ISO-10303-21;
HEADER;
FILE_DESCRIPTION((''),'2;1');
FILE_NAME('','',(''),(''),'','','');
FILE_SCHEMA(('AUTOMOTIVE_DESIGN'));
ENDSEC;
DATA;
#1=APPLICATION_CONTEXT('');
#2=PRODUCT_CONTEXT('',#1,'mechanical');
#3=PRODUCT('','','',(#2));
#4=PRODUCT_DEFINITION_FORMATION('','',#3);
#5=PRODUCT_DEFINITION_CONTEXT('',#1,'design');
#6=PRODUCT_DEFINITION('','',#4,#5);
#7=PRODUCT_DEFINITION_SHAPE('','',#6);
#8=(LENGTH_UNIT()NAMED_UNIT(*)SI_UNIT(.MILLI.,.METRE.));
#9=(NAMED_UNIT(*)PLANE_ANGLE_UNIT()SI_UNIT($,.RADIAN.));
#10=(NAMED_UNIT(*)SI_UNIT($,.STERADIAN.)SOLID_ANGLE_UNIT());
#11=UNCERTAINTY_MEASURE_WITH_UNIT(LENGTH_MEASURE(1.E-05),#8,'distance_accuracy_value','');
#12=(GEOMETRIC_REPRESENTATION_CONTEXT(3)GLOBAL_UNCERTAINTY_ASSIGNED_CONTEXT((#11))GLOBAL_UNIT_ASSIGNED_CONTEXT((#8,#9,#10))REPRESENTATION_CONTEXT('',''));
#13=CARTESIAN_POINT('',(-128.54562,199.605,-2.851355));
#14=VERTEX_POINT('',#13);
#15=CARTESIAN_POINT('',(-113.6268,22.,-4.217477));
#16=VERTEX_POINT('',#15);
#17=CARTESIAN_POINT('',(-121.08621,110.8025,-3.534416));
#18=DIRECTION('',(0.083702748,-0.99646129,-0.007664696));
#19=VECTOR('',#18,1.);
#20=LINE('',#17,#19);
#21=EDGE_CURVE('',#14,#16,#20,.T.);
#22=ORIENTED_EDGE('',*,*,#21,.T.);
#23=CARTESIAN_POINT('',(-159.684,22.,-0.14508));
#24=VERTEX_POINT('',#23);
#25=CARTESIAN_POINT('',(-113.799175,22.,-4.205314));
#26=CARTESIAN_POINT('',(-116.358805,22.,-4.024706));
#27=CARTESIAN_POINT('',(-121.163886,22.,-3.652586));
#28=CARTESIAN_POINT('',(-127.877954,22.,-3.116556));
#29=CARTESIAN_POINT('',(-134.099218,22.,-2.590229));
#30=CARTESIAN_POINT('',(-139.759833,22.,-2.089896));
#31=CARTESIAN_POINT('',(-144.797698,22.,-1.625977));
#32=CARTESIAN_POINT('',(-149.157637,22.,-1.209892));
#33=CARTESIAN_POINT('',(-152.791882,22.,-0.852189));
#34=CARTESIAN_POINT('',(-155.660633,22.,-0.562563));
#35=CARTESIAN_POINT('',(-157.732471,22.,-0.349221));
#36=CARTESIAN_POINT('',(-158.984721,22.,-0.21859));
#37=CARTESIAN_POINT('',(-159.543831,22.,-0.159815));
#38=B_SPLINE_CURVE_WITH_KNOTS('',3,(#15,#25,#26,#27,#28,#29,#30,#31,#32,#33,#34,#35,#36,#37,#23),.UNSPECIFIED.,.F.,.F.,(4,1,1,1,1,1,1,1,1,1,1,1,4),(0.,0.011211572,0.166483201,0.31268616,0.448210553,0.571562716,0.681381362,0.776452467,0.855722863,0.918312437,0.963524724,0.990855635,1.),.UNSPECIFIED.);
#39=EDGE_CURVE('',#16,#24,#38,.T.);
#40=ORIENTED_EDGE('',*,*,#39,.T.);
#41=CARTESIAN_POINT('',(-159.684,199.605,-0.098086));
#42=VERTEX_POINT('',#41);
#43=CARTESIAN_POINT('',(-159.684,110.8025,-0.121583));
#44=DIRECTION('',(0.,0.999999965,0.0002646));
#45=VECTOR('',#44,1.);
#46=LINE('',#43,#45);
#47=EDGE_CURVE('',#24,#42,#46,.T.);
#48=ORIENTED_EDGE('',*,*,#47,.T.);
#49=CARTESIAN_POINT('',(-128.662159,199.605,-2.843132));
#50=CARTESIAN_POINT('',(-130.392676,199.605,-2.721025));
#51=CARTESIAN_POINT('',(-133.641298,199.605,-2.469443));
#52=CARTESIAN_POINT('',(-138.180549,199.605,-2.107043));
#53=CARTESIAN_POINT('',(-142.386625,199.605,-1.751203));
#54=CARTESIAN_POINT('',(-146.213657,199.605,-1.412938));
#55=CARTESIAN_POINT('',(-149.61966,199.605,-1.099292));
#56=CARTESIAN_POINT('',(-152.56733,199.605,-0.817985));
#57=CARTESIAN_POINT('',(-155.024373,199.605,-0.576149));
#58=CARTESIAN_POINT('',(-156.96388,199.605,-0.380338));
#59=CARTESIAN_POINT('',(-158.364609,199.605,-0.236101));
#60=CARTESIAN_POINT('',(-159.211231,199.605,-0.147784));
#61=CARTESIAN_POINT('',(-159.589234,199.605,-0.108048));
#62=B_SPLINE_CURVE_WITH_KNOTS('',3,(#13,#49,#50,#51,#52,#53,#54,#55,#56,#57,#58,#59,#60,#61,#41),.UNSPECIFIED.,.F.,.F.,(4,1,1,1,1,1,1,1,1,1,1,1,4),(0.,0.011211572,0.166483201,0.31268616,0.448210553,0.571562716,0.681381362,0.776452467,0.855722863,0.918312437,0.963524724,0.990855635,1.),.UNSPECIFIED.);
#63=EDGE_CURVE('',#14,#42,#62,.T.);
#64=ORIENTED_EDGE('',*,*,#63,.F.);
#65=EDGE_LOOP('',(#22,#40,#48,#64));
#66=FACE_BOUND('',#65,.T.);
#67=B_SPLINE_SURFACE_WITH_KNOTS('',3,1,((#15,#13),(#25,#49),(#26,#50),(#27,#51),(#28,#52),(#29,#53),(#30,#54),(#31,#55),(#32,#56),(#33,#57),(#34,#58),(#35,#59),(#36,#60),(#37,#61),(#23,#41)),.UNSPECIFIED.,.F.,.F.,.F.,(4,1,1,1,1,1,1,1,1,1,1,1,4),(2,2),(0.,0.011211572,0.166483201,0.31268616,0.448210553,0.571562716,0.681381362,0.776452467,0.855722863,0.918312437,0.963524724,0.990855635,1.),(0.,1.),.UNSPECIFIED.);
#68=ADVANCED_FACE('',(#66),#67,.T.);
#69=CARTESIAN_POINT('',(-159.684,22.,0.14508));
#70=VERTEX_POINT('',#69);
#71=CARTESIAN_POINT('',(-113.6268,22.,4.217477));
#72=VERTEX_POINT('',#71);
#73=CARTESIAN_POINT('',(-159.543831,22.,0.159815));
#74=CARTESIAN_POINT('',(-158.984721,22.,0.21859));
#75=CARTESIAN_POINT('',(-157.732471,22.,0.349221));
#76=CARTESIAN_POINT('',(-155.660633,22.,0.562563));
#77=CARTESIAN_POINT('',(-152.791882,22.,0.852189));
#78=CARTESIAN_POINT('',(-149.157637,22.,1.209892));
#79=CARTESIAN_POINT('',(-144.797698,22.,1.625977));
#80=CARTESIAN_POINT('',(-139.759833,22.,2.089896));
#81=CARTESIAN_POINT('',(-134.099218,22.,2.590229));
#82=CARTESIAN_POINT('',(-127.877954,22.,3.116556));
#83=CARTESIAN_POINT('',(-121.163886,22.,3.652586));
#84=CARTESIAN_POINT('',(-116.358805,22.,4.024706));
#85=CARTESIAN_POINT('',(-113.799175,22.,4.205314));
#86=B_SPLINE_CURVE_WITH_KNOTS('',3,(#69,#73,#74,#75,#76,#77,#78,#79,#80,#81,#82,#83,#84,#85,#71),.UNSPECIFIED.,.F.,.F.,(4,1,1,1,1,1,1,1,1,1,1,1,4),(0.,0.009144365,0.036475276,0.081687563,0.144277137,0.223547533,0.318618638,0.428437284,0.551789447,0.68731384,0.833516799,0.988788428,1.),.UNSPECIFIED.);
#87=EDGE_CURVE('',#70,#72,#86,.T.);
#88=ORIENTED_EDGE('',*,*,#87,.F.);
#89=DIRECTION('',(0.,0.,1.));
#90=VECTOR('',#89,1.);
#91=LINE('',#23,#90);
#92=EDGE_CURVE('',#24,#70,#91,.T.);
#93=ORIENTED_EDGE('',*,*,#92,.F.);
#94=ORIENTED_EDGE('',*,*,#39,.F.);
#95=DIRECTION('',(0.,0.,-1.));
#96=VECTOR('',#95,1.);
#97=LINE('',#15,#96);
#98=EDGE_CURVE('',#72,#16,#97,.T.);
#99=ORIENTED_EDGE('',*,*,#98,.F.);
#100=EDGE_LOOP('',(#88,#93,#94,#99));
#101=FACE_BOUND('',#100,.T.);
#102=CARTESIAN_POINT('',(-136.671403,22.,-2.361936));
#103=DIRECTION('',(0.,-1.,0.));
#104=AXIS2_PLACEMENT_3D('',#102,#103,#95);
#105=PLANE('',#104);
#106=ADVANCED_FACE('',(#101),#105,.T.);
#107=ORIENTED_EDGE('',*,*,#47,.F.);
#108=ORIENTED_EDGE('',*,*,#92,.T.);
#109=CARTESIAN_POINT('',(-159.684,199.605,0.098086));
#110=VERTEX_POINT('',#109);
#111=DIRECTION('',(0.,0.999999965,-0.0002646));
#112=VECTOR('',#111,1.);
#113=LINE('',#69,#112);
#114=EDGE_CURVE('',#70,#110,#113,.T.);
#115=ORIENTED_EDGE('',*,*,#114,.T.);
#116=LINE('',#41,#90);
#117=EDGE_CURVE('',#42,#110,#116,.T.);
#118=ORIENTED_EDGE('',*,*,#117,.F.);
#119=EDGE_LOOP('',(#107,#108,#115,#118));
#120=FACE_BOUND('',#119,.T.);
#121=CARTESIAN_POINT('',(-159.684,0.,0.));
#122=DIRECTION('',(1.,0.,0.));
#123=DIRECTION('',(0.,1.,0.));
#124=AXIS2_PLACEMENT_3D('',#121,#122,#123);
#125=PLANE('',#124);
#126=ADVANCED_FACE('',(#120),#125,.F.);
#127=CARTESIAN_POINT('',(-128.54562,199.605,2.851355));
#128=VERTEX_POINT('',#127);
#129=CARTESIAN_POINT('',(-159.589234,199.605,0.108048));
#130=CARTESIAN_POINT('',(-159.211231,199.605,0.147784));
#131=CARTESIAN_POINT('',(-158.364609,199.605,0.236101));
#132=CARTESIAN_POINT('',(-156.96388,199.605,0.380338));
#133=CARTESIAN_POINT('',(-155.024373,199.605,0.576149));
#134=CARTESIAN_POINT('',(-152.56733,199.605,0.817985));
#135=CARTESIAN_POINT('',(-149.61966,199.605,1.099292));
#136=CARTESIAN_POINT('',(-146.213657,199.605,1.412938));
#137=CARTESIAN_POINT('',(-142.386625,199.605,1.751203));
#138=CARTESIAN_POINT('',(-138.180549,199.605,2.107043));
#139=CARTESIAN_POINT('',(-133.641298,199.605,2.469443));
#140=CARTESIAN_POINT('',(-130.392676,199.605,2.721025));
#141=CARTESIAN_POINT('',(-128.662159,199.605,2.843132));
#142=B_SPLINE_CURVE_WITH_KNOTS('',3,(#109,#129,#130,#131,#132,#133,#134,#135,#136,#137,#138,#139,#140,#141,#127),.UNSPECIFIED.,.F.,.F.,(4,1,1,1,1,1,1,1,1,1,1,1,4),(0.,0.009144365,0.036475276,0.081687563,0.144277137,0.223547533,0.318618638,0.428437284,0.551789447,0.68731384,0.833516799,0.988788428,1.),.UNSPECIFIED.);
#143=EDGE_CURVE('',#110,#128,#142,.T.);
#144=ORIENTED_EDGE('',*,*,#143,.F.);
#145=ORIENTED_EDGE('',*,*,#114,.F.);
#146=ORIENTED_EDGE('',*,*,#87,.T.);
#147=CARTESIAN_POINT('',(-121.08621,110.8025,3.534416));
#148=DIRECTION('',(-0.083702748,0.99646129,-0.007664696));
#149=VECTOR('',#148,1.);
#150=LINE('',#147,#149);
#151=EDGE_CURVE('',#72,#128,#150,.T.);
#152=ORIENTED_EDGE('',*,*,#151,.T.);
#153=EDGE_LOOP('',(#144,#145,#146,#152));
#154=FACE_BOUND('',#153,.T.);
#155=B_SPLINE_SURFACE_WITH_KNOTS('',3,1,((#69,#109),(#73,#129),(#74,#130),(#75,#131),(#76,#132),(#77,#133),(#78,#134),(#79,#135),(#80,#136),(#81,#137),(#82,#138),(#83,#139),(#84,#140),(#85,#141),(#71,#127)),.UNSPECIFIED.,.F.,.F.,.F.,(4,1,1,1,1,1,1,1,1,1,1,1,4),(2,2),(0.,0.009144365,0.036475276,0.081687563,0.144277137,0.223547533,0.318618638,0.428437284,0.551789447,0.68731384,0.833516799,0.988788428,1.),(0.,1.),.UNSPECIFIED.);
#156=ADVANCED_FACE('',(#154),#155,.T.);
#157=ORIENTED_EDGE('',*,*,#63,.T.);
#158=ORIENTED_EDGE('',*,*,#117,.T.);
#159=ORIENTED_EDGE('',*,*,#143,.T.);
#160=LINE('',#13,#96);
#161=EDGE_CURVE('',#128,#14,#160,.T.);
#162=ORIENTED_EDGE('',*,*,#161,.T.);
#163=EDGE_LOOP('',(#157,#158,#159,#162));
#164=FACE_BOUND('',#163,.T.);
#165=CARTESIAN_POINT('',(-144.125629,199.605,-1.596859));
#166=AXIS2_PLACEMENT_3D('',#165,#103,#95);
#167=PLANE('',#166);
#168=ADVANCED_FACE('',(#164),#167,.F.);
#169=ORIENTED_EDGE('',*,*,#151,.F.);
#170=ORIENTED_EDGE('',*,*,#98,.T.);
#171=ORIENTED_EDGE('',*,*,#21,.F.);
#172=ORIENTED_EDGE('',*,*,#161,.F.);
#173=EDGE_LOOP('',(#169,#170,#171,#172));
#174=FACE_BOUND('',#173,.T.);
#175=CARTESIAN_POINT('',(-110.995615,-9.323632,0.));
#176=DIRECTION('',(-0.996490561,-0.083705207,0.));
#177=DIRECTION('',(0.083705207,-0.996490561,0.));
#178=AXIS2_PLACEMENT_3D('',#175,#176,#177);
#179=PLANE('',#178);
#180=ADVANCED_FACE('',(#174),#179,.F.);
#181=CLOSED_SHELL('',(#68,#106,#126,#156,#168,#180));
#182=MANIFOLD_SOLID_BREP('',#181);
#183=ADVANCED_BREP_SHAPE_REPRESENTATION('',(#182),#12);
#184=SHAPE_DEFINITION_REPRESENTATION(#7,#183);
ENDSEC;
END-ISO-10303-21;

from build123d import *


with BuildPart() as part:
    # Sketch1 → Loft1 section 0
    with BuildSketch(Plane(origin=(0, 22, 0), x_dir=(1, 0, 0), z_dir=(0, 1, 0))):
        with BuildLine():
            Line((-113.6268, 4.217477276), (-113.6268, -4.217477276))
            add(Edge.make_bspline(
                [(-113.6268, -4.217477276), (-113.799174645, -4.205314432), (-116.358805181, -4.024705588), (-121.16388644, -3.652586205), (-127.877953579, -3.116556037), (-134.099217648, -2.590228815), (-139.759832884, -2.089895748), (-144.797698384, -1.625977164), (-149.157636731, -1.209892463), (-152.791882277, -0.852189171), (-155.660633245, -0.562562839), (-157.732470926, -0.349220721), (-158.984720765, -0.218589518), (-159.543830889, -0.159814978), (-159.684, -0.14508018)],
                knots=[0, 0, 0, 0, 0.011211572, 0.166483201, 0.31268616, 0.448210553, 0.571562716, 0.681381362, 0.776452467, 0.855722863, 0.918312437, 0.963524724, 0.990855635, 1, 1, 1, 1], degree=3))
            Line((-159.684, -0.14508018), (-159.684, 0.14508018))
            add(Edge.make_bspline(
                [(-113.6268, 4.217477276), (-113.799174645, 4.205314432), (-116.358805181, 4.024705588), (-121.16388644, 3.652586205), (-127.877953579, 3.116556037), (-134.099217648, 2.590228815), (-139.759832884, 2.089895748), (-144.797698384, 1.625977164), (-149.157636731, 1.209892463), (-152.791882277, 0.852189171), (-155.660633245, 0.562562839), (-157.732470926, 0.349220721), (-158.984720765, 0.218589518), (-159.543830889, 0.159814978), (-159.684, 0.14508018)],
                knots=[0, 0, 0, 0, 0.011211572, 0.166483201, 0.31268616, 0.448210553, 0.571562716, 0.681381362, 0.776452467, 0.855722863, 0.918312437, 0.963524724, 0.990855635, 1, 1, 1, 1], degree=3))
        make_face()
    # Sketch2 → Loft1 section 1
    with BuildSketch(Plane(origin=(0, 199.605, 0), x_dir=(1, 0, 0), z_dir=(0, 1, 0))):
        with BuildLine():
            Line((-128.54562, 2.851354621), (-128.54562, -2.851354621))
            add(Edge.make_bspline(
                [(-128.54562, -2.851354621), (-128.662159156, -2.843131559), (-130.392675737, -2.721025421), (-133.641298019, -2.46944272), (-138.180548645, -2.107043115), (-142.386624669, -1.751203485), (-146.213656886, -1.412937998), (-149.619660081, -1.099291638), (-152.567329871, -0.817984838), (-155.024372826, -0.576148577), (-156.963879739, -0.380337829), (-158.364609028, -0.236101359), (-159.211230866, -0.147784135), (-159.589234382, -0.108047808), (-159.684, -0.098085897)],
                knots=[0, 0, 0, 0, 0.011211572, 0.166483201, 0.31268616, 0.448210553, 0.571562716, 0.681381362, 0.776452467, 0.855722863, 0.918312437, 0.963524724, 0.990855635, 1, 1, 1, 1], degree=3))
            Line((-159.684, -0.098085897), (-159.684, 0.098085897))
            add(Edge.make_bspline(
                [(-128.54562, 2.851354621), (-128.662159156, 2.843131559), (-130.392675737, 2.721025421), (-133.641298019, 2.46944272), (-138.180548645, 2.107043115), (-142.386624669, 1.751203485), (-146.213656886, 1.412937998), (-149.619660081, 1.099291638), (-152.567329871, 0.817984838), (-155.024372826, 0.576148577), (-156.963879739, 0.380337829), (-158.364609028, 0.236101359), (-159.211230866, 0.147784135), (-159.589234382, 0.108047808), (-159.684, 0.098085897)],
                knots=[0, 0, 0, 0, 0.011211572, 0.166483201, 0.31268616, 0.448210553, 0.571562716, 0.681381362, 0.776452467, 0.855722863, 0.918312437, 0.963524724, 0.990855635, 1, 1, 1, 1], degree=3))
        make_face()
    loft()


solid = part.part
